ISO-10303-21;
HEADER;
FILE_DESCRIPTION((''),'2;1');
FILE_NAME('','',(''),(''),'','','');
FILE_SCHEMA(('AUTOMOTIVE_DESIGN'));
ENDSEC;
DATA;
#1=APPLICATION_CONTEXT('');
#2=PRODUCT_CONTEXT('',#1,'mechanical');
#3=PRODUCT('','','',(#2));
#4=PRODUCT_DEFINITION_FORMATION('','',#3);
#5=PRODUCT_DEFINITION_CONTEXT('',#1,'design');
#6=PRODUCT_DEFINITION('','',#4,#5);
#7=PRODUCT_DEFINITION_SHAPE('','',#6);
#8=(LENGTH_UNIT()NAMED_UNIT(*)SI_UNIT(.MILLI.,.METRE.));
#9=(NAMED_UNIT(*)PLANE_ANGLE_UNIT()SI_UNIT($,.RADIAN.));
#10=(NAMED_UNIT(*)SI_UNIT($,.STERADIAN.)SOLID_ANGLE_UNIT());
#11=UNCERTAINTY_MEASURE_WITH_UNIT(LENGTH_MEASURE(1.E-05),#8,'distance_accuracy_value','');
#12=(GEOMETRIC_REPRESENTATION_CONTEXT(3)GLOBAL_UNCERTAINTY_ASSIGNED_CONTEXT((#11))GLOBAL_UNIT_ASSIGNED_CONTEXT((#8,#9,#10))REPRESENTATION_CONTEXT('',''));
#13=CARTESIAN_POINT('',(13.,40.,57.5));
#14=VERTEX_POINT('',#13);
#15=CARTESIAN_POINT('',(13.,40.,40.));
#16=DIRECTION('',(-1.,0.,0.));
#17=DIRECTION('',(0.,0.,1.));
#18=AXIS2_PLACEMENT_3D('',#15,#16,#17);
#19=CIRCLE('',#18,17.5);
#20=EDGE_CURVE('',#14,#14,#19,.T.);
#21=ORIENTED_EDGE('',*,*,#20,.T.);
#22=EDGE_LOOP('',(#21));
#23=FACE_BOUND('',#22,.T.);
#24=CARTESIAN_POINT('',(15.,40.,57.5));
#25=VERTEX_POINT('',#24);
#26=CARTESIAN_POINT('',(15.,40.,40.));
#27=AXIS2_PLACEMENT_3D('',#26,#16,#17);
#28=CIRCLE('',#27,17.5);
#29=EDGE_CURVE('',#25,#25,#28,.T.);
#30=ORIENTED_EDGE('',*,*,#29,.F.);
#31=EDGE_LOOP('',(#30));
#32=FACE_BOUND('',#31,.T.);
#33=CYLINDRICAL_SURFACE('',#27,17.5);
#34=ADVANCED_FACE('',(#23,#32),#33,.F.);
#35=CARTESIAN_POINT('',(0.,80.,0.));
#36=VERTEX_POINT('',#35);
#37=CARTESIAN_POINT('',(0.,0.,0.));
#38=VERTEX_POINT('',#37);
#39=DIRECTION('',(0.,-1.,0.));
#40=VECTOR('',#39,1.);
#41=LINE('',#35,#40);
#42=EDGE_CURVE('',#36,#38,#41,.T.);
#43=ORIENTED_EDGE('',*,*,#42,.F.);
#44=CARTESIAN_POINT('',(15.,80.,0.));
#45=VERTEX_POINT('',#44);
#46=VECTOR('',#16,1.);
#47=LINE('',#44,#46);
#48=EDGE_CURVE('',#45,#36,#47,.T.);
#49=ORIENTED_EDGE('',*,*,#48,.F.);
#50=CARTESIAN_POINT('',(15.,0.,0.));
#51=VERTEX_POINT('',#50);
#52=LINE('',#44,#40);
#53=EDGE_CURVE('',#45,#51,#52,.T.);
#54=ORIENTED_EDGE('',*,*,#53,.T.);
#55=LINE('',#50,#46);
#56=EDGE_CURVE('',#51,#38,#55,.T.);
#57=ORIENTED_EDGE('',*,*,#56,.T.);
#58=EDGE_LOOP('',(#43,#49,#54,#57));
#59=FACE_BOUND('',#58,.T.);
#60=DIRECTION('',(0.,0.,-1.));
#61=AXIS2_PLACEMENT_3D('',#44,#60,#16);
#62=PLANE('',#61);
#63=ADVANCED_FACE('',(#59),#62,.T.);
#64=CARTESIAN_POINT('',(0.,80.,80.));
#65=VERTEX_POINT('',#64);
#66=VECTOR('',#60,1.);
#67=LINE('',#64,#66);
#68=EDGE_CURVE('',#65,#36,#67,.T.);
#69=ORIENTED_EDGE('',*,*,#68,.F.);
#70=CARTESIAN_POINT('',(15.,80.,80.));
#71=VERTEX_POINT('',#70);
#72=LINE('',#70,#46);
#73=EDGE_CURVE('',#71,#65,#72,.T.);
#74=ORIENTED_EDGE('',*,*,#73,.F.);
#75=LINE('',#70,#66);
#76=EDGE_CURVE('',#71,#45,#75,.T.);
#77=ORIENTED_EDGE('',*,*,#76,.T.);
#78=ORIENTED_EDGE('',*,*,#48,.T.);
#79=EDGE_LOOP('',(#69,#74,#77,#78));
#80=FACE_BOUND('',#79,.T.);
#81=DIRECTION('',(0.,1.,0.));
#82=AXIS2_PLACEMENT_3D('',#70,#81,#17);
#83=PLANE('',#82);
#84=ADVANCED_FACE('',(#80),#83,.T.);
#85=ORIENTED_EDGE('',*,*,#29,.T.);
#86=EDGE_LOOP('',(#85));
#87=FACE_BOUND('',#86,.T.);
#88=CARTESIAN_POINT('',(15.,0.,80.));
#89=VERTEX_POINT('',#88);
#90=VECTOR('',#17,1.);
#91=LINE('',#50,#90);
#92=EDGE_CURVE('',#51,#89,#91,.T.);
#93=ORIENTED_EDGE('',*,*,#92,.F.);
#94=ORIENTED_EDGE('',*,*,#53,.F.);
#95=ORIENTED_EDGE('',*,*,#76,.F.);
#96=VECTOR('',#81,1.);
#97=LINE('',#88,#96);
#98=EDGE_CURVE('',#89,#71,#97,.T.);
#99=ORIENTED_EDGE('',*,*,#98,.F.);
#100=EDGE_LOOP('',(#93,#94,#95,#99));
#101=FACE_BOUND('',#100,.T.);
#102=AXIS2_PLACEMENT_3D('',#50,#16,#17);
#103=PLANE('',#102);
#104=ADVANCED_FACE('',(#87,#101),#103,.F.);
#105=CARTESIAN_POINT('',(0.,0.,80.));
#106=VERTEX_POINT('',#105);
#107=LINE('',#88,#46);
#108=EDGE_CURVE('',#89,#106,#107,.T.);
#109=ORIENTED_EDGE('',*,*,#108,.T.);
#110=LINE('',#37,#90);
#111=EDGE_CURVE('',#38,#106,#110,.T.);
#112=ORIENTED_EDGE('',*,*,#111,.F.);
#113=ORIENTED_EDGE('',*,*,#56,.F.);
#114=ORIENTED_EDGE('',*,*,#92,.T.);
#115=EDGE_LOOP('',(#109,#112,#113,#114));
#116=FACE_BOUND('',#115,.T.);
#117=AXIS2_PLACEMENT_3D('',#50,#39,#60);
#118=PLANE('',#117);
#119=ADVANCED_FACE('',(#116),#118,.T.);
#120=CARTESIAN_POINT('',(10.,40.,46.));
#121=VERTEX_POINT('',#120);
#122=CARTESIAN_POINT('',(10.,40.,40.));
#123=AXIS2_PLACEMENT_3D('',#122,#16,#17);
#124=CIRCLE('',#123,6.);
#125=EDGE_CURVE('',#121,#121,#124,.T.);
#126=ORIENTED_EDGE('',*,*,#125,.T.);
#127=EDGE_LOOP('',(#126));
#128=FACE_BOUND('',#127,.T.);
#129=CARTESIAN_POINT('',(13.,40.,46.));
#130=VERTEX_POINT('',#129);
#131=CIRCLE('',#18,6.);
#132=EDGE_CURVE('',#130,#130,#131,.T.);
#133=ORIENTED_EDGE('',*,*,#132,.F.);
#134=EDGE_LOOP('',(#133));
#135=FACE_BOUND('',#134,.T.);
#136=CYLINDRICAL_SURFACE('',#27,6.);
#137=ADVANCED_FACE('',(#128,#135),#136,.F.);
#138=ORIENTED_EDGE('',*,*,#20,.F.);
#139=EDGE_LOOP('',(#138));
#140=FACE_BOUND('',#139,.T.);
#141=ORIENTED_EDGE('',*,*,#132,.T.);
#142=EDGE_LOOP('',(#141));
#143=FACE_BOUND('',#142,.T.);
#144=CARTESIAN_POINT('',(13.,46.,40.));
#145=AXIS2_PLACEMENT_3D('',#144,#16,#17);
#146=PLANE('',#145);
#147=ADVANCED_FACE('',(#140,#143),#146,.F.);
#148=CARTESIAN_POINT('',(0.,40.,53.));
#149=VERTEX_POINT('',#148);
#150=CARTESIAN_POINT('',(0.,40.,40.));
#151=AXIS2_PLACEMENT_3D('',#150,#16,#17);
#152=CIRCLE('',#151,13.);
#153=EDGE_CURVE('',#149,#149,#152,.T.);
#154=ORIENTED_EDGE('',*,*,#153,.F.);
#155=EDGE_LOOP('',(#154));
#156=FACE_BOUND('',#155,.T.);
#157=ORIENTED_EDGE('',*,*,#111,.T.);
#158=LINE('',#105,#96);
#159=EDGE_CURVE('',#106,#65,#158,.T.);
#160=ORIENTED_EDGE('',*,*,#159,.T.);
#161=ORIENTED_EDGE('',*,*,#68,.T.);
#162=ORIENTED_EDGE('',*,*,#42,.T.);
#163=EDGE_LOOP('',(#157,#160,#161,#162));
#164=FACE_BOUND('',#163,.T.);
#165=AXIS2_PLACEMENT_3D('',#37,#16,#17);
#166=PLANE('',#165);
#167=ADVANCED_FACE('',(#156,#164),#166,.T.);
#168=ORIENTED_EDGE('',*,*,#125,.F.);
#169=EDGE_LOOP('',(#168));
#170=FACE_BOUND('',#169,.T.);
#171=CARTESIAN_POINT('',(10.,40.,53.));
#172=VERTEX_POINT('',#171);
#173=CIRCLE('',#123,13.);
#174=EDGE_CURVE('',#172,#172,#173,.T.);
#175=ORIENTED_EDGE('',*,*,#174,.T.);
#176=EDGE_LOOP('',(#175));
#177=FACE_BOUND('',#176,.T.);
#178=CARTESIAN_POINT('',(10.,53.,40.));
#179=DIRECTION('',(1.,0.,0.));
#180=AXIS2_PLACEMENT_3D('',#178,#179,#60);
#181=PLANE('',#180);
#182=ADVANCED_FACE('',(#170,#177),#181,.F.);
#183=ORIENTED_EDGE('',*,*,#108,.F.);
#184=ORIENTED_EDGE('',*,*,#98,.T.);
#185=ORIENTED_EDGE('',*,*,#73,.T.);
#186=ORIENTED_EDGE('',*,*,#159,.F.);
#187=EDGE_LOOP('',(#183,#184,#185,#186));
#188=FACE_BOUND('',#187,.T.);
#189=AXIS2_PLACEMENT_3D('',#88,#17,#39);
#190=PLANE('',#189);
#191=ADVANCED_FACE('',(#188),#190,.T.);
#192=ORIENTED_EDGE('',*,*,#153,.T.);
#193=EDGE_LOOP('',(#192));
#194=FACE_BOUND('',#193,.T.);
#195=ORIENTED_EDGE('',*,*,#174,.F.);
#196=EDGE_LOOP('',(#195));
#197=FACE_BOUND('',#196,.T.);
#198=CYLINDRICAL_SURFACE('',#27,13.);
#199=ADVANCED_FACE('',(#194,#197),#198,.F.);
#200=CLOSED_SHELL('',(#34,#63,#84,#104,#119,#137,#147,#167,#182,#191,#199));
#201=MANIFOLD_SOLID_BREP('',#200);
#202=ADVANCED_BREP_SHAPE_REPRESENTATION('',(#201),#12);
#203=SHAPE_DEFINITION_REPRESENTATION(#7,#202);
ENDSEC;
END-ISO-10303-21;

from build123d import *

# Parameters (mm, degrees)
SKETCH_1_W      = 80
SKETCH_1_H      = 80
EXTRUDE_1_DEPTH = 15


with BuildPart() as part:
    # Эскиз1 → Бобышка-Вытянуть1 (new body)
    with BuildSketch(Plane(origin=(0, 0, 0), x_dir=(0, -1, 0), z_dir=(-1, 0, 0))):
        with Locations((-40, 40)):
            Rectangle(SKETCH_1_W, SKETCH_1_H)
    extrude(amount=-EXTRUDE_1_DEPTH)

    # Эскиз2 → Вырез-Повернуть1 (revolve, cut)
    with BuildSketch(Plane(origin=(0, 0, 40), x_dir=(-1, 0, 0), z_dir=(0, 0, -1)), mode=Mode.PRIVATE) as cut_revolve_1_sk:
        Polygon((-15, 57.5), (-15, 40), (0, 40), (0, 53), (-10, 53), (-10, 46), (-13, 46), (-13, 57.5), align=None)
    revolve(cut_revolve_1_sk.sketch.rotate(Axis((15, 40, 40), (-1, 0, 0)), 270), axis=Axis((15, 40, 40), (-1, 0, 0)), mode=Mode.SUBTRACT)


solid = part.part
